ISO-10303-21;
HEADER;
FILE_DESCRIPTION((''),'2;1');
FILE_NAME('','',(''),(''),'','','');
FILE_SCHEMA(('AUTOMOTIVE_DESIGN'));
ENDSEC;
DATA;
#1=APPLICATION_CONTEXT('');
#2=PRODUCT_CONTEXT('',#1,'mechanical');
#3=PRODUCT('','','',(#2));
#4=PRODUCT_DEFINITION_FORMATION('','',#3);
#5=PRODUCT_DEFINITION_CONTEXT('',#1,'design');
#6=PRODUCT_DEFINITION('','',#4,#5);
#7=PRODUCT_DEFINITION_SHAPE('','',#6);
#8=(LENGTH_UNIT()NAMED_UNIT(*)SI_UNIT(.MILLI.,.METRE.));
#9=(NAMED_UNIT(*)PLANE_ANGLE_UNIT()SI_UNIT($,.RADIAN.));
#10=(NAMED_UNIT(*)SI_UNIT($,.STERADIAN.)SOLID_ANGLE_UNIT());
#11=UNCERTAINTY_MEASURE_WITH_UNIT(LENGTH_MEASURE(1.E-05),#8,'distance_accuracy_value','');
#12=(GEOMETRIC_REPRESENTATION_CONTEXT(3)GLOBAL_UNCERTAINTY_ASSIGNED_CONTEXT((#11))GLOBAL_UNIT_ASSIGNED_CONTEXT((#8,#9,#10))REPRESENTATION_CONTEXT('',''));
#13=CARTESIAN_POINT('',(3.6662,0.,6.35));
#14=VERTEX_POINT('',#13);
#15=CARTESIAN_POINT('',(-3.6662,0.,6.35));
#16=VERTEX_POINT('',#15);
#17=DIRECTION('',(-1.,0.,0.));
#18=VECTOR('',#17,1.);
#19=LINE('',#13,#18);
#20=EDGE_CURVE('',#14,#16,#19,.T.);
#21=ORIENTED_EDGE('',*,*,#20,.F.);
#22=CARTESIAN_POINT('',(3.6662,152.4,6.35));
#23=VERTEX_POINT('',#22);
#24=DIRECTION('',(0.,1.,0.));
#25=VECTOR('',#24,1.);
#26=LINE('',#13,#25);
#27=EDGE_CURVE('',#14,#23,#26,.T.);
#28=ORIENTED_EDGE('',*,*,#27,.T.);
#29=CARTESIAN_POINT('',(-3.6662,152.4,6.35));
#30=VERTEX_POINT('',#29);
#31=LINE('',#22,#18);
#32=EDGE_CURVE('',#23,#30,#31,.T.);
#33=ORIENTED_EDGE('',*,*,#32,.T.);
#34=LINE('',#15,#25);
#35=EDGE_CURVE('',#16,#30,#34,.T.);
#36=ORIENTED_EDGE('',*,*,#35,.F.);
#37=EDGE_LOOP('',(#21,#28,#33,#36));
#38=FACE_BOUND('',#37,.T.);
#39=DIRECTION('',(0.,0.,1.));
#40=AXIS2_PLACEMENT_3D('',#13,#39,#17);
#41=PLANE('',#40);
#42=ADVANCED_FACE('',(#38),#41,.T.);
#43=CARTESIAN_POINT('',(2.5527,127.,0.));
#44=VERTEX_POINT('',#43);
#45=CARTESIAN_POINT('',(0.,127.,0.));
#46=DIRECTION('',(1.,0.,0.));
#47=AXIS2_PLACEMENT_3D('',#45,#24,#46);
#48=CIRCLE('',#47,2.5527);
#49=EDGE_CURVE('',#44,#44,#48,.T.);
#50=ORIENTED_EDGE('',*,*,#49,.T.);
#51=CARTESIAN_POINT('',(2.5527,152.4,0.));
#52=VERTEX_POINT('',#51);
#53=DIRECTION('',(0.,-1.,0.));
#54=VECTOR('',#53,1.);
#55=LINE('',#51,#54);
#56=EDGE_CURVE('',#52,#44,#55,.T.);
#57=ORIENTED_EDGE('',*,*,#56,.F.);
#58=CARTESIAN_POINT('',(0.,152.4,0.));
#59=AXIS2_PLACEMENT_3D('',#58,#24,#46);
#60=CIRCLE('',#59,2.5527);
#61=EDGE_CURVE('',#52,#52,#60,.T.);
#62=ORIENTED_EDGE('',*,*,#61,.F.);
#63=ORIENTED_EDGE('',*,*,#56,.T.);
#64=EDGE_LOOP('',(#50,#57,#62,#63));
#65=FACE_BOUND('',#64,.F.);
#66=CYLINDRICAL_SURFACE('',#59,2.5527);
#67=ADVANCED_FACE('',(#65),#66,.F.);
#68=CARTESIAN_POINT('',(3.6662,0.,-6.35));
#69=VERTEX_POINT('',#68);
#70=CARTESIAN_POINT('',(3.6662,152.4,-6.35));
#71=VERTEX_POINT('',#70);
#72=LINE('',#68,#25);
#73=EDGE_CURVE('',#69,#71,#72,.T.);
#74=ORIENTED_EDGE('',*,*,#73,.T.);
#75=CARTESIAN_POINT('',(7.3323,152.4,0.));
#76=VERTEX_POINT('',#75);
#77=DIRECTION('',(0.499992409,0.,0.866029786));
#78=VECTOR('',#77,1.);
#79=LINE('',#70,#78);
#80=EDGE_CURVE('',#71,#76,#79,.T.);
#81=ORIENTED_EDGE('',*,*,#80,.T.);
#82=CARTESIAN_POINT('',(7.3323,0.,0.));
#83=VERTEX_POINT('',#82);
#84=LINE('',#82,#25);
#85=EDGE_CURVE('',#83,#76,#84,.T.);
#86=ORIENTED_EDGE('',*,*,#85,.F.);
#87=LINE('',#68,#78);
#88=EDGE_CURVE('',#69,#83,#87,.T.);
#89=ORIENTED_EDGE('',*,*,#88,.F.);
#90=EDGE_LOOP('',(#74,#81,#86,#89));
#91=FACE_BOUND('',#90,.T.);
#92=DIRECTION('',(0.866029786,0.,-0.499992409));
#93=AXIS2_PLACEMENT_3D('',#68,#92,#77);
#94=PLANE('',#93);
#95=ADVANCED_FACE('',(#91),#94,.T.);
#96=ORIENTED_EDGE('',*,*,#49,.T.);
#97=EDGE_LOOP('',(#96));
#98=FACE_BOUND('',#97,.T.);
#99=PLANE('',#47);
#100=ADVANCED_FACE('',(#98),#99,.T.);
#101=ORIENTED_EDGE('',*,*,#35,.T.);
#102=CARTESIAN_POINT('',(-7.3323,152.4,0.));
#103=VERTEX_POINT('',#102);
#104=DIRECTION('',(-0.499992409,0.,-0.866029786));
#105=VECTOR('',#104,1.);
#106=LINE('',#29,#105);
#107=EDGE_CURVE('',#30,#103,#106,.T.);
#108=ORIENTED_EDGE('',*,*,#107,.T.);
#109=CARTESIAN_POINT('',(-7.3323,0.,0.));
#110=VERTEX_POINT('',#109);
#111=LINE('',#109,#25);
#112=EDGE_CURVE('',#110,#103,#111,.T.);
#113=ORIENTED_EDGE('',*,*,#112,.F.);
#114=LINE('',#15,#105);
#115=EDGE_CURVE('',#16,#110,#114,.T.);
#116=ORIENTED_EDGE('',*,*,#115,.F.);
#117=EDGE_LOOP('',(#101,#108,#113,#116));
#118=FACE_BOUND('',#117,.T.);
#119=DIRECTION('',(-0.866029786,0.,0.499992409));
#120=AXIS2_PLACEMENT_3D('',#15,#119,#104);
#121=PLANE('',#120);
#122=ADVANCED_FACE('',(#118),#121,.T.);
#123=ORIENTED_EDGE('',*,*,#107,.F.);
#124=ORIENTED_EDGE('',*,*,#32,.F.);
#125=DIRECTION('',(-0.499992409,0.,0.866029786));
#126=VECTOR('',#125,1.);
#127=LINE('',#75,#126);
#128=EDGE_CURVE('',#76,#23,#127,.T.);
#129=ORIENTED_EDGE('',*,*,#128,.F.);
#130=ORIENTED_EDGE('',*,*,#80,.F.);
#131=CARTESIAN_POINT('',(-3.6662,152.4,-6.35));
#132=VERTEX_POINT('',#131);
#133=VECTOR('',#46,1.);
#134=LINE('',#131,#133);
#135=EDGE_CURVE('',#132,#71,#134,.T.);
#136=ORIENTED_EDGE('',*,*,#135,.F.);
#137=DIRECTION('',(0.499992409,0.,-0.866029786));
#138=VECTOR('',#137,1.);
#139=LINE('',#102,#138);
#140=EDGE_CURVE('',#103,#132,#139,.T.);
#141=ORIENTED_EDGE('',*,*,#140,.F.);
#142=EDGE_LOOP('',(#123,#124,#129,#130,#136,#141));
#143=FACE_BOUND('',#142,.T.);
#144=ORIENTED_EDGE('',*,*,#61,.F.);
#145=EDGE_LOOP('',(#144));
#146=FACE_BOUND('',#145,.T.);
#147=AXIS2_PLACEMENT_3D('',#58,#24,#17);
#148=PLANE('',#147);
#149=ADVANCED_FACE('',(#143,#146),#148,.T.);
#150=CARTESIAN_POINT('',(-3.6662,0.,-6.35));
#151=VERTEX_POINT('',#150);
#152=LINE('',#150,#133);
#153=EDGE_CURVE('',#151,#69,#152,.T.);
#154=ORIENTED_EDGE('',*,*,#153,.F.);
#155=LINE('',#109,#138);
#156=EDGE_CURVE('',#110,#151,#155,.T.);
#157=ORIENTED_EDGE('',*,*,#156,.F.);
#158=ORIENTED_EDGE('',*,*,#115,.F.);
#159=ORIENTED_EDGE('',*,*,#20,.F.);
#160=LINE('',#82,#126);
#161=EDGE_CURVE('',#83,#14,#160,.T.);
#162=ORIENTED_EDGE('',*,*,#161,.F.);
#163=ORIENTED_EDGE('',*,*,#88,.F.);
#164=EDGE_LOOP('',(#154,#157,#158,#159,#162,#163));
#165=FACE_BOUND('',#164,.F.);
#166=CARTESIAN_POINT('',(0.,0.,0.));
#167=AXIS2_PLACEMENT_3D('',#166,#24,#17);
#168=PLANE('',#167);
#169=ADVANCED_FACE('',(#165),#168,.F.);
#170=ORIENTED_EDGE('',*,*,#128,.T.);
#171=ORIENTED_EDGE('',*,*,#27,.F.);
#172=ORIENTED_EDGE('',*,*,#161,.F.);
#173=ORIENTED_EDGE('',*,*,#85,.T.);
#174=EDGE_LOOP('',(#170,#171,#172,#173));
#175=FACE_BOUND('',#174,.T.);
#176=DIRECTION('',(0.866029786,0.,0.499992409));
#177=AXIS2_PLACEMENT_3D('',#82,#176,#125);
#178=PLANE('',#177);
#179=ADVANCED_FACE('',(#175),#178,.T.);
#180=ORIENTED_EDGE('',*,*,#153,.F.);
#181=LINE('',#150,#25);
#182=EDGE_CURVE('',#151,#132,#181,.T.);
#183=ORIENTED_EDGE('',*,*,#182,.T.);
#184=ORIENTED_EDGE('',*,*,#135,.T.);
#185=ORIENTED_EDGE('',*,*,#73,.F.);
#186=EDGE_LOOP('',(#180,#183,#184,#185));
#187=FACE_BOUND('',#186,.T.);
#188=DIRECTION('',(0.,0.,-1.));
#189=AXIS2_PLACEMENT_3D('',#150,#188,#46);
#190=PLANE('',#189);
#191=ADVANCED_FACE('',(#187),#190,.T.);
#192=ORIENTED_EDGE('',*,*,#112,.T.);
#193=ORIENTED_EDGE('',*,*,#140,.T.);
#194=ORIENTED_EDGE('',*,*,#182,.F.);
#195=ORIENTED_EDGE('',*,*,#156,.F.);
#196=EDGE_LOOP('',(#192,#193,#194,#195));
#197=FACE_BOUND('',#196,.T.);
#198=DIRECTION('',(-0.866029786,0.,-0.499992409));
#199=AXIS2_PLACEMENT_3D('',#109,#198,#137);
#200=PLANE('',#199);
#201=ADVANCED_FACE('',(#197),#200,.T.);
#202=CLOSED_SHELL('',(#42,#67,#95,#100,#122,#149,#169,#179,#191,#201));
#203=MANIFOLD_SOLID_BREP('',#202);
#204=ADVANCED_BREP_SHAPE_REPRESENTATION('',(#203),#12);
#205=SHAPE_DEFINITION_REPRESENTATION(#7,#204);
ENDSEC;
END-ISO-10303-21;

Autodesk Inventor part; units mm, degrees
ref_plane "YZ Plane" through (0, 0, 0) normal (1, 0, 0) x (0, 1, 0)
ref_plane "XZ Plane" through (0, 0, 0) normal (0, 1, 0) x (-1, 0, 0)
ref_plane "XY Plane" through (0, 0, 0) normal (0, 0, 1) x (1, 0, 0)
sketch "Sketch1" plane through (0, 0, 0) normal (0, 1, 0) x (-1, 0, 0)
  line L0 (-7.3323, 0) -> (-3.6662, 6.35)
  line L1 (-3.6662, 6.35) -> (3.6662, 6.35)
  line L2 (3.6662, 6.35) -> (7.3323, 0)
  line L3 (7.3323, 0) -> (3.6662, -6.35)
  line L4 (3.6662, -6.35) -> (-3.6662, -6.35)
  line L5 (-3.6662, -6.35) -> (-7.3323, 0)
  point P0 (0, 0)
  point P1 (0, 0)
  point P2 (-5.4993, 3.175)
  dimension "d0" = 12.7
extrude "Extrusion1" add sketch "Sketch1" along normal blind 152.4
sketch "Sketch2" plane through (0, 152.4, 0) normal (0, 1, 0) x (1, 0, 0)
  circle A0 centre (0, 0) radius 2.5527
  dimension "d3" = 5.1054
extrude "Extrusion2" cut sketch "Sketch2" against normal blind 25.4
properties part number "INDEX_009_6inHex" material "Aluminum 6061"
